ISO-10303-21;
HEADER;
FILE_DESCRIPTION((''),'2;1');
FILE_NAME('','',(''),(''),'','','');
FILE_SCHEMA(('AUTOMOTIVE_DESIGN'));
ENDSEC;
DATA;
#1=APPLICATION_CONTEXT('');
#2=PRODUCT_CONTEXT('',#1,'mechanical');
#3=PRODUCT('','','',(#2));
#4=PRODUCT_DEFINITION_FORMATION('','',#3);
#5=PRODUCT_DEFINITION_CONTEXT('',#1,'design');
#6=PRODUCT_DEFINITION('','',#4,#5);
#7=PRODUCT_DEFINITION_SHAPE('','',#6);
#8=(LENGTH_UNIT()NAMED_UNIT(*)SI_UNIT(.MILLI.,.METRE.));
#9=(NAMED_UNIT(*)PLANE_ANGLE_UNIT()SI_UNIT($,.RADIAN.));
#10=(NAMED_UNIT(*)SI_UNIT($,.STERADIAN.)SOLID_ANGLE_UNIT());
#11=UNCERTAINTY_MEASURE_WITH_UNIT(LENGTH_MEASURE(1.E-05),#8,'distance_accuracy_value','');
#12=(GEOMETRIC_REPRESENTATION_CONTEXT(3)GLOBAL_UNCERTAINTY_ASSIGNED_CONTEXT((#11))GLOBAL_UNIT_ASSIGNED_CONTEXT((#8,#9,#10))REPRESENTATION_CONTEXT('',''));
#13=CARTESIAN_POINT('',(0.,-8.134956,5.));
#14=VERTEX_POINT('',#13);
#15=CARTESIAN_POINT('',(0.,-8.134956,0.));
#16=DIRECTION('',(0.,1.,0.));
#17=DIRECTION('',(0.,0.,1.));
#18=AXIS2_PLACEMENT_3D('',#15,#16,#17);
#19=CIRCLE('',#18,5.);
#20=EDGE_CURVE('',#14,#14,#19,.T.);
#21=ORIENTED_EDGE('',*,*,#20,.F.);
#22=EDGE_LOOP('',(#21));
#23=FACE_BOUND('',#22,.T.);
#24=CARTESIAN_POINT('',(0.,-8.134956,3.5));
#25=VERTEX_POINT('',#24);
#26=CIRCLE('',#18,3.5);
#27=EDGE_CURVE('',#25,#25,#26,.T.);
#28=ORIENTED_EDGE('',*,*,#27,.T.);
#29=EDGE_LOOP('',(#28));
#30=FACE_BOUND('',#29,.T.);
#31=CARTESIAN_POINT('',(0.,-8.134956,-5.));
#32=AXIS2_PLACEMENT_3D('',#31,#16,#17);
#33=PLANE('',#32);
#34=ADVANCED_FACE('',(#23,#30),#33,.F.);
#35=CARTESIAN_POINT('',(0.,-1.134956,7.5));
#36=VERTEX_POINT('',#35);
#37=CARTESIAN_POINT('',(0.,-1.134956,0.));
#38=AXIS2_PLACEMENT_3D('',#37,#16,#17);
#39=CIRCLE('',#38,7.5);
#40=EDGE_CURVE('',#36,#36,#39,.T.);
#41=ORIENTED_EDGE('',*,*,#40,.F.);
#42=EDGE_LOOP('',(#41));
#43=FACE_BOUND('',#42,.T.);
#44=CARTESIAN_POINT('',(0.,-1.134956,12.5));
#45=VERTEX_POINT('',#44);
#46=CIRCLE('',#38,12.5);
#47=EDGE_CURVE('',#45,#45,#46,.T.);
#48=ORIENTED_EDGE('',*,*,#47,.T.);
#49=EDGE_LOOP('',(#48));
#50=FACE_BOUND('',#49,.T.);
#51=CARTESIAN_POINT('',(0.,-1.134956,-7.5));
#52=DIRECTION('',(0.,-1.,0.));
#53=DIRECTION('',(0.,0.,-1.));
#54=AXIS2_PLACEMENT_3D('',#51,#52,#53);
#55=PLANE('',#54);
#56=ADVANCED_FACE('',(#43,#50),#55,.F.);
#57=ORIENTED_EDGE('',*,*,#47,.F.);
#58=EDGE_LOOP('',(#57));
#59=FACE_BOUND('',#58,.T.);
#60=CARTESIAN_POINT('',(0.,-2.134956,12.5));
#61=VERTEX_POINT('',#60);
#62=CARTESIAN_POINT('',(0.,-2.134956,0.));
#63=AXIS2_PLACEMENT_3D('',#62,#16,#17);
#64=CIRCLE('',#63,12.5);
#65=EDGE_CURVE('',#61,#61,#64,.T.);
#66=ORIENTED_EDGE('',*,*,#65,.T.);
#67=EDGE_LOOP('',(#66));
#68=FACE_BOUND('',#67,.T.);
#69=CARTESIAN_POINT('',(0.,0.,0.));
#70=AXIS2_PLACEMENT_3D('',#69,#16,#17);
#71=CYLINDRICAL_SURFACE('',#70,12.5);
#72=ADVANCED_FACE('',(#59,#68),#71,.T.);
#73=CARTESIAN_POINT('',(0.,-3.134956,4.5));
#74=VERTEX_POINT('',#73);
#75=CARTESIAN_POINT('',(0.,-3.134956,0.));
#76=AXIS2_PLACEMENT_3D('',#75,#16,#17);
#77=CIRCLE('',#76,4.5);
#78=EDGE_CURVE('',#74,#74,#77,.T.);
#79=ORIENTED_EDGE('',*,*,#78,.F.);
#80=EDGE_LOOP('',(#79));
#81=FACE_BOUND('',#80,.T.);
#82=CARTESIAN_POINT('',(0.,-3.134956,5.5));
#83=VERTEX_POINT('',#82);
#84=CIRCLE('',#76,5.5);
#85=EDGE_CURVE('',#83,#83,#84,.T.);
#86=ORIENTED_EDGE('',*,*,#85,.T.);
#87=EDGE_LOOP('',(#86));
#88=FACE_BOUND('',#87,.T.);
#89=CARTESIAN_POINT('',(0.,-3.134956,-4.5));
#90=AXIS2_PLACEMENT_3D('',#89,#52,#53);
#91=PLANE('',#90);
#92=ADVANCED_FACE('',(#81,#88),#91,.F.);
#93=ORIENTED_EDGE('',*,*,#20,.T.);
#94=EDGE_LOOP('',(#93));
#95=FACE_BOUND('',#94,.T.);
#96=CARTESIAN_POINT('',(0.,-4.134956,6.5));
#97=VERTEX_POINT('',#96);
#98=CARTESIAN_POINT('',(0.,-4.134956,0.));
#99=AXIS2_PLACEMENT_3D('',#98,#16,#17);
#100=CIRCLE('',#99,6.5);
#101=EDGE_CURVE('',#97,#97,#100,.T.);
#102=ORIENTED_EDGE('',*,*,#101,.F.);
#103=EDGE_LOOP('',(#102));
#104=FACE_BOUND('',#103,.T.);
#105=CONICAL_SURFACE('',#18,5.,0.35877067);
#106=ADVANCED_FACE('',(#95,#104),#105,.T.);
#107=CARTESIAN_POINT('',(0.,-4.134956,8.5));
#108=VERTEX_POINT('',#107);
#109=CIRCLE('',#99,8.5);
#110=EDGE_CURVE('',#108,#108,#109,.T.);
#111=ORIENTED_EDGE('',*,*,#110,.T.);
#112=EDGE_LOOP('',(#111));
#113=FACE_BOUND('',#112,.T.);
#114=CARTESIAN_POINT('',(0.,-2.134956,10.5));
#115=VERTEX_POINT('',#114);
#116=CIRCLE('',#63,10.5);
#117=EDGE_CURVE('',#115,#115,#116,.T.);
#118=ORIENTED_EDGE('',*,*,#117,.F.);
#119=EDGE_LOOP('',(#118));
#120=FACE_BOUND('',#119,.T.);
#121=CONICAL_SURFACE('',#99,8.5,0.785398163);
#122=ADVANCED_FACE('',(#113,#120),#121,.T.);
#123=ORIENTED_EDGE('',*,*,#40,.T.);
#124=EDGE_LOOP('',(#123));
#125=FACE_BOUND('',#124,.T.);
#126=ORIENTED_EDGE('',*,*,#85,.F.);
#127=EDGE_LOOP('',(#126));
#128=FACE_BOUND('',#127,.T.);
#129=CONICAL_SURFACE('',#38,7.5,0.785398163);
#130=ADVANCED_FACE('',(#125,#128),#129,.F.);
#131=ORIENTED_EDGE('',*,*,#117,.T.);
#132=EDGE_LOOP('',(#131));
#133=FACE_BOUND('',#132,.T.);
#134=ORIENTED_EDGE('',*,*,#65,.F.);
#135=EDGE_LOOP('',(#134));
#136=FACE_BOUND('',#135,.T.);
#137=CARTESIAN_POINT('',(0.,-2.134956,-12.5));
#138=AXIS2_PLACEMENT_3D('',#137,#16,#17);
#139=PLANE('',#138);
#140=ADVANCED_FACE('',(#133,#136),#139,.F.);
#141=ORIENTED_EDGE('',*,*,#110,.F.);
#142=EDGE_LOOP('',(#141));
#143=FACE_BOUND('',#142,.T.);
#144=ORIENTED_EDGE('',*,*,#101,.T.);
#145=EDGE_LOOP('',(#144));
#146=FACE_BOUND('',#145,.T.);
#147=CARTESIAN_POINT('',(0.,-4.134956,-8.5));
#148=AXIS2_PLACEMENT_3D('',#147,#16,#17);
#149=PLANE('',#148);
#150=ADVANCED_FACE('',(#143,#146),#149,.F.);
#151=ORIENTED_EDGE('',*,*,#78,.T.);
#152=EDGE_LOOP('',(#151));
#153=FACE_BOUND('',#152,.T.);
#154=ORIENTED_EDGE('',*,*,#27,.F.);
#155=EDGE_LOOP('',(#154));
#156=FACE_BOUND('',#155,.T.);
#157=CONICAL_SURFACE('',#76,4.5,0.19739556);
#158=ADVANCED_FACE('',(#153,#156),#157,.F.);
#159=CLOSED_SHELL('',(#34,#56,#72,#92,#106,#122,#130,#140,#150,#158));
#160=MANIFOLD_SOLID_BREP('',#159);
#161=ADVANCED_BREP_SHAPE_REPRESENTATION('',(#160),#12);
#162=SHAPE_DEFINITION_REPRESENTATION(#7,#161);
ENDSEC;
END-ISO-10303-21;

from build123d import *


with BuildPart() as part:
    # Sketch1 → Revolve1 (revolve)
    with BuildSketch(Plane(origin=(0, 0, 0), x_dir=(0, 0, -1), z_dir=(1, 0, 0))):
        Polygon((3.5, -8.134956375), (4.5, -3.134956375), (5.5, -3.134956375), (7.5, -1.134956375), (12.5, -1.134956375), (12.5, -2.134956375), (10.5, -2.134956375), (8.5, -4.134956375), (6.5, -4.134956375), (5, -8.134956375), align=None)
    revolve(axis=Axis((0, 0, 0), (0, -1, 0)))


solid = part.part
